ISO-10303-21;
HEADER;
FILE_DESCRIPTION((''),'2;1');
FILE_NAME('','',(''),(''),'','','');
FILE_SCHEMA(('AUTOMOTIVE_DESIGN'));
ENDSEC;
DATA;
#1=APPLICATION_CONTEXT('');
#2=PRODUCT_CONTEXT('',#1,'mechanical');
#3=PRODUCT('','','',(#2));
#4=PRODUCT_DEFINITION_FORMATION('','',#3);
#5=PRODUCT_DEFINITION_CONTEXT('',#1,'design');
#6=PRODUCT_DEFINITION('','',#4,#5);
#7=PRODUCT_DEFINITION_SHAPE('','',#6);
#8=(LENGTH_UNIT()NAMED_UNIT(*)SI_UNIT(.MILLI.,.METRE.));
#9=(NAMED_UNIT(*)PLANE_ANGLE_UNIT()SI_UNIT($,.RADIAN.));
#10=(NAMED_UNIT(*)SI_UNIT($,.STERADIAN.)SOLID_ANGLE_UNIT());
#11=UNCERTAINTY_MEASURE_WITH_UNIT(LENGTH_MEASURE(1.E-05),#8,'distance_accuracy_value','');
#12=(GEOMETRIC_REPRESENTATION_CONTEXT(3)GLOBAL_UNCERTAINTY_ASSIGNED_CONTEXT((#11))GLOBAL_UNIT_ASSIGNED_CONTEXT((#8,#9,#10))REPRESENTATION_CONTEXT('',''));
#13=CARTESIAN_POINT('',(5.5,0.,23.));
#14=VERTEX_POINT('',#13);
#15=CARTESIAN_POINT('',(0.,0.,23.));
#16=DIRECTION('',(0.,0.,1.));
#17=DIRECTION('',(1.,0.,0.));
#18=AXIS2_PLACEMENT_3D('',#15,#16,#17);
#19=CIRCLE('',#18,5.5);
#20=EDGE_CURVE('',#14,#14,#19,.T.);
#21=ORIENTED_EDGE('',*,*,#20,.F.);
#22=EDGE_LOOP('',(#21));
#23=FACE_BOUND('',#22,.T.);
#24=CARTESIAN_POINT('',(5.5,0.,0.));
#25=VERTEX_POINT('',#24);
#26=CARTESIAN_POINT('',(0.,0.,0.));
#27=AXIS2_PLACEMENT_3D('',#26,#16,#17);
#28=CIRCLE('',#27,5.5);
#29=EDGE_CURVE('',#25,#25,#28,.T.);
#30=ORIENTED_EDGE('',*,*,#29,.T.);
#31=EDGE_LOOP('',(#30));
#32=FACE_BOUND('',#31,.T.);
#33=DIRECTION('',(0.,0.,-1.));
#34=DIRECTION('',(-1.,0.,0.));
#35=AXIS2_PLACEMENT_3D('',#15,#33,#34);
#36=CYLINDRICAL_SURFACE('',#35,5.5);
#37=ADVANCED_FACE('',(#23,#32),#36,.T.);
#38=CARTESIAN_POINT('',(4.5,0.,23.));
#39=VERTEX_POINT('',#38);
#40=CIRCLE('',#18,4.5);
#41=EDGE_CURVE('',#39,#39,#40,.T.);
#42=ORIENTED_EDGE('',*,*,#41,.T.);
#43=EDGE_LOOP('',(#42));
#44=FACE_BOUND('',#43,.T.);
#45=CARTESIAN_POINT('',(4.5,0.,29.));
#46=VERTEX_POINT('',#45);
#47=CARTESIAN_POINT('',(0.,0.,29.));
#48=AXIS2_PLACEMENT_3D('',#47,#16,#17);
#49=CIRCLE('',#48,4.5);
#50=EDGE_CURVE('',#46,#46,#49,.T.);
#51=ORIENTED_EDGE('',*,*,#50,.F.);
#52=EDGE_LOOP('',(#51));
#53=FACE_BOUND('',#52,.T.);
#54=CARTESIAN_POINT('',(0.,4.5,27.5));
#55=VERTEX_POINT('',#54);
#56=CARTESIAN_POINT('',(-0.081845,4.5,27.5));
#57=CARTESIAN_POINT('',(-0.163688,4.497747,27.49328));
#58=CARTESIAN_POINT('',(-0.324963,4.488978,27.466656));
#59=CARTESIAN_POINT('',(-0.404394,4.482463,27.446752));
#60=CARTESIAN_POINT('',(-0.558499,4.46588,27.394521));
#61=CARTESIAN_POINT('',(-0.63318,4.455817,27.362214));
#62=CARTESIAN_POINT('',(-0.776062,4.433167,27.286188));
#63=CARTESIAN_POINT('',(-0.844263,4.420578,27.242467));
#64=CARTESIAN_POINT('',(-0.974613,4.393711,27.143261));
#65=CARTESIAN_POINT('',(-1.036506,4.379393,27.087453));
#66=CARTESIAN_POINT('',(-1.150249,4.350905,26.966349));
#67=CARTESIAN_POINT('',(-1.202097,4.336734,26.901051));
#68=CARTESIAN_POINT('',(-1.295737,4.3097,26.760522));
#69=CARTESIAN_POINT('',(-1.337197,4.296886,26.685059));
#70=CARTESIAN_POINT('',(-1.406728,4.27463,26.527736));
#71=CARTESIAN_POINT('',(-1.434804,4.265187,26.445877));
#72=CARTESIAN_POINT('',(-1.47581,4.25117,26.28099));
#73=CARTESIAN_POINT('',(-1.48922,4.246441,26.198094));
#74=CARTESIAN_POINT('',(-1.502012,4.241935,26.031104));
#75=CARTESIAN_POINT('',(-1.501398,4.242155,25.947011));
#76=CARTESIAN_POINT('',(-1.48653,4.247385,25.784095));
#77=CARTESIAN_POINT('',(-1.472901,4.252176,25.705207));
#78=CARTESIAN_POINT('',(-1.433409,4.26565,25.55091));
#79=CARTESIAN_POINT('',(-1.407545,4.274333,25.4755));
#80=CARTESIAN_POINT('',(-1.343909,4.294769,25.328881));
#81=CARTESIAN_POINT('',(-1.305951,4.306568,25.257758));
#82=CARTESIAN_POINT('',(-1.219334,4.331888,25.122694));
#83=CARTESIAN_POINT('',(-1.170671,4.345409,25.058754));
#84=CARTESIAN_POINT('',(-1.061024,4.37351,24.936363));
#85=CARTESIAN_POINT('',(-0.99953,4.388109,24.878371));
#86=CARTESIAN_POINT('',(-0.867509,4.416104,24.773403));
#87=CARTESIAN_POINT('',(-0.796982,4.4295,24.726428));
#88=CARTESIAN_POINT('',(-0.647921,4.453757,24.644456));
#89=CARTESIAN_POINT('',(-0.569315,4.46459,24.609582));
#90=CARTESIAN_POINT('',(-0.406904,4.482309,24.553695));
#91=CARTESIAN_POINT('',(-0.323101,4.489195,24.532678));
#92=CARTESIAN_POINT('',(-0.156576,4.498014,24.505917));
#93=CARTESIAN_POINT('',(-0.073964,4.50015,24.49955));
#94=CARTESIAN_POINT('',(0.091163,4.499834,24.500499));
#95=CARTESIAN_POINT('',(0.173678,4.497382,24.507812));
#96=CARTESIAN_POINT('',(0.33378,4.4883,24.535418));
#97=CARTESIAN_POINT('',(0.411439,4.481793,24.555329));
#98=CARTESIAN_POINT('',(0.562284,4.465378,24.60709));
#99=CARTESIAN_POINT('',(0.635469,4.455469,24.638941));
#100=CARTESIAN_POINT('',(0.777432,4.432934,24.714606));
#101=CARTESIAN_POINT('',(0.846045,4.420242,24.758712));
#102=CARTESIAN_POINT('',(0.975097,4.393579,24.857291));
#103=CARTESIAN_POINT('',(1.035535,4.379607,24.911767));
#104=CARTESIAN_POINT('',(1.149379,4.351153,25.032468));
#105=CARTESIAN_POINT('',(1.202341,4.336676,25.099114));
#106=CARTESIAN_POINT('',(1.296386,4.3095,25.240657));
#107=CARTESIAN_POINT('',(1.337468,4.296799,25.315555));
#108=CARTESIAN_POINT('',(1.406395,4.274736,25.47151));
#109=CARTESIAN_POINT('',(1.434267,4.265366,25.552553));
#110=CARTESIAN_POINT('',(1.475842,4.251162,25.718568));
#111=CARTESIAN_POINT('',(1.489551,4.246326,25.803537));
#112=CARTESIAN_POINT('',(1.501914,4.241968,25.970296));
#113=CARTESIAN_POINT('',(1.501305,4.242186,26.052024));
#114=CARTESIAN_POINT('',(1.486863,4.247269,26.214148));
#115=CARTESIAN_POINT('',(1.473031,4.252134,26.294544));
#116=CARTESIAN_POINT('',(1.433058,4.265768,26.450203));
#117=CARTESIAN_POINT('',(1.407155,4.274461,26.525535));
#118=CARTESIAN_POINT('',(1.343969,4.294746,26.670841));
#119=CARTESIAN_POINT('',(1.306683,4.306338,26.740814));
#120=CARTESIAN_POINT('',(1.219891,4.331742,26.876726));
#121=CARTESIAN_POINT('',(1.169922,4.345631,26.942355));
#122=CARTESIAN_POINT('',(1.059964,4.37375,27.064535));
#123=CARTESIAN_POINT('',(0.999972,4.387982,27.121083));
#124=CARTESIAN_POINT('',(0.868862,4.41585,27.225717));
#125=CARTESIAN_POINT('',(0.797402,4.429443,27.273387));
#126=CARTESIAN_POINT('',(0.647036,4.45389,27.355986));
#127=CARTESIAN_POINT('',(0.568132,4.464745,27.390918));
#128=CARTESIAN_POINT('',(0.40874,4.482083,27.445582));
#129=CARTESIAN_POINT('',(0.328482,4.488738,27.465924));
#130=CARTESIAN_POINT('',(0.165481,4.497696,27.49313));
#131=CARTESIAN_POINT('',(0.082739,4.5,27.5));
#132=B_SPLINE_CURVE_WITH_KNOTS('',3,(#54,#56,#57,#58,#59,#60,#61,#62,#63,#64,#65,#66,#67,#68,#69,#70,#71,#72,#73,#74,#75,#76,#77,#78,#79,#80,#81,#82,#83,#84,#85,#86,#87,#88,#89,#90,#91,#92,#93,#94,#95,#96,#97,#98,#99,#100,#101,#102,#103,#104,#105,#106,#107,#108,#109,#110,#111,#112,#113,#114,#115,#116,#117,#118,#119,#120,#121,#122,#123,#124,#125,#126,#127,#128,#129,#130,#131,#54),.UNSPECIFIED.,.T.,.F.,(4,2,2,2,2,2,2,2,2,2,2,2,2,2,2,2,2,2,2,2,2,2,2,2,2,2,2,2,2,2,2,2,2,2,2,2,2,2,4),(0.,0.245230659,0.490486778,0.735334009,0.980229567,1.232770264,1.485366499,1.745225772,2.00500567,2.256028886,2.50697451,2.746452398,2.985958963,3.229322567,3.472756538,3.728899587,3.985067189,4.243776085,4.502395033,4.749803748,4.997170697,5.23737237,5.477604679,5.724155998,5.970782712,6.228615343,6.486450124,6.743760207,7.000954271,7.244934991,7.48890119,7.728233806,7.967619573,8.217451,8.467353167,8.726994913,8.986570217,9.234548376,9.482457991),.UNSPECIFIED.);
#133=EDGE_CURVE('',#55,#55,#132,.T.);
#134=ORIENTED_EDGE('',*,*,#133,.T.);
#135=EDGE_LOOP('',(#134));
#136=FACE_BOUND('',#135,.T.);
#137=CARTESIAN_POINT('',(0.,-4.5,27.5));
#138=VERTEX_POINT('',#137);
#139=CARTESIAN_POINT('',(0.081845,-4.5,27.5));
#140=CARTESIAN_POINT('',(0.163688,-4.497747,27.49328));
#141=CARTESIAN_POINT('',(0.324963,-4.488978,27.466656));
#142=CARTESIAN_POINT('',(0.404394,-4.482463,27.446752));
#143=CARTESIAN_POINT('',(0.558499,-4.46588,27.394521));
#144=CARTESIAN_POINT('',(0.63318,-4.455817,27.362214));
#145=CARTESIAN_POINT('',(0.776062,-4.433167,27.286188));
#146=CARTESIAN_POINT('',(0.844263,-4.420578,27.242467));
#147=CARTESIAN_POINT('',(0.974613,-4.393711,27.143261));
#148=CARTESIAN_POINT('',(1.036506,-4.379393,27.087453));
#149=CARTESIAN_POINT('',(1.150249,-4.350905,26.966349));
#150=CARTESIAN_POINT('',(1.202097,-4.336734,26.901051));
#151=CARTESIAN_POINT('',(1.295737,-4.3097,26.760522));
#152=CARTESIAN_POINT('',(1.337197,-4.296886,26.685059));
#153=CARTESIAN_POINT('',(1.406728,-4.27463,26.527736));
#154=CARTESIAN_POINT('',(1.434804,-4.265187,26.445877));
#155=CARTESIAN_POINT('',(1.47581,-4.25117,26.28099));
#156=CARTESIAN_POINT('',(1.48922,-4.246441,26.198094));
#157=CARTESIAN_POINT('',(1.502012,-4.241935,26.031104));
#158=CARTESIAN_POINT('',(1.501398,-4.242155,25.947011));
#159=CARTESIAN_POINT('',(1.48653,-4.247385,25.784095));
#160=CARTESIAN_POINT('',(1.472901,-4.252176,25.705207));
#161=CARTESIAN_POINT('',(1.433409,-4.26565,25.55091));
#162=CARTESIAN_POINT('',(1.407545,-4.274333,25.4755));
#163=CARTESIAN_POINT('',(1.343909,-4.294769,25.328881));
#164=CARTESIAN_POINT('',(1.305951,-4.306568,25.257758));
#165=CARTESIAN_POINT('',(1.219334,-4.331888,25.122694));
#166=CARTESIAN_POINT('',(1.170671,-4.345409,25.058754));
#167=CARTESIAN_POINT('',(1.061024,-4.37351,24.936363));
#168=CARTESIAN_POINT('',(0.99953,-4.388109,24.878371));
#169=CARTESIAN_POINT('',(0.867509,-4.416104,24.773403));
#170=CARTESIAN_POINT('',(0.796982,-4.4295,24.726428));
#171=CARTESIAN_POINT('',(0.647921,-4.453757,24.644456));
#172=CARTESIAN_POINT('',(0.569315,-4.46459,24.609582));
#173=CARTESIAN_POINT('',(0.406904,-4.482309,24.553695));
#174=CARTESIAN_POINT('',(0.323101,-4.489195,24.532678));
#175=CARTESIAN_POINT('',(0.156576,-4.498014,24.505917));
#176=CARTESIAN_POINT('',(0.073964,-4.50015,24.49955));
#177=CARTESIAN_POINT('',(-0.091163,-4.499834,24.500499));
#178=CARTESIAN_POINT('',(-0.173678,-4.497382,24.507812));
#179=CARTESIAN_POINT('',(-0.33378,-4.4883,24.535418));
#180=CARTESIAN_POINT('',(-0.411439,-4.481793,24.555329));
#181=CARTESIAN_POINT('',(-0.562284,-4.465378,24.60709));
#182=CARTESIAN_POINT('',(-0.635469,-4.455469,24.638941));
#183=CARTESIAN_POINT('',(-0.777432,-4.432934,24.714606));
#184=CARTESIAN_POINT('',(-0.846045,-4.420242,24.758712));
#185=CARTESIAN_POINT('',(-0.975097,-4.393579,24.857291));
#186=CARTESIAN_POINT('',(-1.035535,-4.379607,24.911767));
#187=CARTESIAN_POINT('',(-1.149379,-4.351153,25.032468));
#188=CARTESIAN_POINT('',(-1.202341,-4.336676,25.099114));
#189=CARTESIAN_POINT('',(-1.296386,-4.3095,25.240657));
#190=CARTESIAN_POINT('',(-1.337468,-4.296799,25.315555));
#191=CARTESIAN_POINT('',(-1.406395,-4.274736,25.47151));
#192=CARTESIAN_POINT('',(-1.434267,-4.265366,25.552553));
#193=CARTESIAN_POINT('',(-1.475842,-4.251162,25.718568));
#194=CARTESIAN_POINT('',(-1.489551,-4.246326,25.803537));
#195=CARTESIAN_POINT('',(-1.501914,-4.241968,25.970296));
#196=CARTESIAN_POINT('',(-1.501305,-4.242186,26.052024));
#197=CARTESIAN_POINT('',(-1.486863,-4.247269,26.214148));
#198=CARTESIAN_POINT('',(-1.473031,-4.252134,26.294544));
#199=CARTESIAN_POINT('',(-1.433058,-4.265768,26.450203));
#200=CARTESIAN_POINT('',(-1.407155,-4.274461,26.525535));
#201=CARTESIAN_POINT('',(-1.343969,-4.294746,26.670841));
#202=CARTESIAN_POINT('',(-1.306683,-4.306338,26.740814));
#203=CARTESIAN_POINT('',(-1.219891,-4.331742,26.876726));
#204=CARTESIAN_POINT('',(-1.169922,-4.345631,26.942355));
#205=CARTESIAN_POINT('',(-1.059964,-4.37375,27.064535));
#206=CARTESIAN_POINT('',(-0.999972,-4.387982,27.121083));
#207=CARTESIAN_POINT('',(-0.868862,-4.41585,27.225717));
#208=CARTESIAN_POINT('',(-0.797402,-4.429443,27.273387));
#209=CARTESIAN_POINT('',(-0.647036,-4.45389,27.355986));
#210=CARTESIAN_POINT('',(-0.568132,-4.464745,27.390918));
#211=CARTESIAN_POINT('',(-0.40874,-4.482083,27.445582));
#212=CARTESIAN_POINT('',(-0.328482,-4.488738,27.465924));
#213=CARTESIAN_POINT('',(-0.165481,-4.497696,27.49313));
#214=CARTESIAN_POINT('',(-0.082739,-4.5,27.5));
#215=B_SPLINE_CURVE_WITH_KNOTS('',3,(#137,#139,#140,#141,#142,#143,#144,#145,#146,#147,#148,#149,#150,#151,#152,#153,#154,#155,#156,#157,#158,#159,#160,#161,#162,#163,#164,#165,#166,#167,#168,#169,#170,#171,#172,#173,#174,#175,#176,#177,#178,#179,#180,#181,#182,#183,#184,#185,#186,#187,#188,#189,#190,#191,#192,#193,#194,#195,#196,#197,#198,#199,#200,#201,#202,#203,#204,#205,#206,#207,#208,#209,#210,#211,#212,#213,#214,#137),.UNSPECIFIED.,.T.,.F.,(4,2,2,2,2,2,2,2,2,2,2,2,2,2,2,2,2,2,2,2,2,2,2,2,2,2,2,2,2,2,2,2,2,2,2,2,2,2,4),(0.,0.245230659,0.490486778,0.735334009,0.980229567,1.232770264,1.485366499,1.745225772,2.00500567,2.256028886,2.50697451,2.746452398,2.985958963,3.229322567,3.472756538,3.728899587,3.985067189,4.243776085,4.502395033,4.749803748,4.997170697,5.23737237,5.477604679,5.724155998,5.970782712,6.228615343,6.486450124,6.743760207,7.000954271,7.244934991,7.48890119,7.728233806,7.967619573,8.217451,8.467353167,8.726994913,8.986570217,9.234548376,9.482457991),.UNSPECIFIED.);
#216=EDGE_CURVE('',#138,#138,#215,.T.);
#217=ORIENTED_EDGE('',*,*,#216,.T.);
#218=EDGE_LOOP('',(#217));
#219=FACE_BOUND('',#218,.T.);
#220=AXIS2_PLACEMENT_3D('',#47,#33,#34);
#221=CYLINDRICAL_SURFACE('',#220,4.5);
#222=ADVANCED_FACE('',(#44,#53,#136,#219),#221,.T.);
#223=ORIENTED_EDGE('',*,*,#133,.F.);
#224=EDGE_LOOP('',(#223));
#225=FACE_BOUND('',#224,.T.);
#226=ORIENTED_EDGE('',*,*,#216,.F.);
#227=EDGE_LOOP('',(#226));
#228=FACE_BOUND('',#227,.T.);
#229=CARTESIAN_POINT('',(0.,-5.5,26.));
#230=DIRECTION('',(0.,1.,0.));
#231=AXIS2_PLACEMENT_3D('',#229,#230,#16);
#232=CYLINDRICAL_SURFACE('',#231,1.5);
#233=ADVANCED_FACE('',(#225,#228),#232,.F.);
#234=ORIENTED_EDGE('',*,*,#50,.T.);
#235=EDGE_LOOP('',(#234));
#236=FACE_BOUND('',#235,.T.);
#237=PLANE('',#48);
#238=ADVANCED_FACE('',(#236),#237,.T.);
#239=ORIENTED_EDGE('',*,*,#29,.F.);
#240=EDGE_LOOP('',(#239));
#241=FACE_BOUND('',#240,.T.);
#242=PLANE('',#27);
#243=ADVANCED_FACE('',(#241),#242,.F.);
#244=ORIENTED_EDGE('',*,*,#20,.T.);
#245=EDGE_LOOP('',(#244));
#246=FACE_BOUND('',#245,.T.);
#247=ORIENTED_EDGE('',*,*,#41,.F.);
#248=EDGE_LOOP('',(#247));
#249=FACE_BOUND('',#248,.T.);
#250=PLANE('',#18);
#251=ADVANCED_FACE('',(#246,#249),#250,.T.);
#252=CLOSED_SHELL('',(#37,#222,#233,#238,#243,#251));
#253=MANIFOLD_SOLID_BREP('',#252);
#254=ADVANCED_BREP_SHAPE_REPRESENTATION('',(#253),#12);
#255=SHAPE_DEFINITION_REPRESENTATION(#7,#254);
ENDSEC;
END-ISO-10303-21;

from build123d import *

# Parameters (mm, degrees)
SKETCH1_R               = 5.5
BOSS_EXTRUDE1_DEPTH     = 23
SKETCH2_R               = 4.5
BOSS_EXTRUDE2_DEPTH     = 6
SKETCH3_R               = 1.5
CUT_EXTRUDE1_DEPTH      = 6.5
CUT_EXTRUDE1_DEPTH_BACK = 6.5


with BuildPart() as part:
    # Sketch1 → Boss-Extrude1 (new body)
    with BuildSketch(Plane.XY):
        Circle(SKETCH1_R)
    extrude(amount=BOSS_EXTRUDE1_DEPTH)

    # Sketch2 → Boss-Extrude2 (add)
    with BuildSketch(Plane.XY.offset(23)):
        Circle(SKETCH2_R)
    extrude(amount=BOSS_EXTRUDE2_DEPTH)

    # Sketch3 → Cut-Extrude1 (cut, two sides)
    with BuildSketch(Plane(origin=(0, 0, 0), x_dir=(1, 0, 0), z_dir=(0, 1, 0))) as cut_extrude1_sk:
        with Locations((0, -26)):
            Circle(SKETCH3_R)
    extrude(amount=CUT_EXTRUDE1_DEPTH, mode=Mode.SUBTRACT)
    extrude(cut_extrude1_sk.sketch, amount=-CUT_EXTRUDE1_DEPTH_BACK, mode=Mode.SUBTRACT)


solid = part.part
